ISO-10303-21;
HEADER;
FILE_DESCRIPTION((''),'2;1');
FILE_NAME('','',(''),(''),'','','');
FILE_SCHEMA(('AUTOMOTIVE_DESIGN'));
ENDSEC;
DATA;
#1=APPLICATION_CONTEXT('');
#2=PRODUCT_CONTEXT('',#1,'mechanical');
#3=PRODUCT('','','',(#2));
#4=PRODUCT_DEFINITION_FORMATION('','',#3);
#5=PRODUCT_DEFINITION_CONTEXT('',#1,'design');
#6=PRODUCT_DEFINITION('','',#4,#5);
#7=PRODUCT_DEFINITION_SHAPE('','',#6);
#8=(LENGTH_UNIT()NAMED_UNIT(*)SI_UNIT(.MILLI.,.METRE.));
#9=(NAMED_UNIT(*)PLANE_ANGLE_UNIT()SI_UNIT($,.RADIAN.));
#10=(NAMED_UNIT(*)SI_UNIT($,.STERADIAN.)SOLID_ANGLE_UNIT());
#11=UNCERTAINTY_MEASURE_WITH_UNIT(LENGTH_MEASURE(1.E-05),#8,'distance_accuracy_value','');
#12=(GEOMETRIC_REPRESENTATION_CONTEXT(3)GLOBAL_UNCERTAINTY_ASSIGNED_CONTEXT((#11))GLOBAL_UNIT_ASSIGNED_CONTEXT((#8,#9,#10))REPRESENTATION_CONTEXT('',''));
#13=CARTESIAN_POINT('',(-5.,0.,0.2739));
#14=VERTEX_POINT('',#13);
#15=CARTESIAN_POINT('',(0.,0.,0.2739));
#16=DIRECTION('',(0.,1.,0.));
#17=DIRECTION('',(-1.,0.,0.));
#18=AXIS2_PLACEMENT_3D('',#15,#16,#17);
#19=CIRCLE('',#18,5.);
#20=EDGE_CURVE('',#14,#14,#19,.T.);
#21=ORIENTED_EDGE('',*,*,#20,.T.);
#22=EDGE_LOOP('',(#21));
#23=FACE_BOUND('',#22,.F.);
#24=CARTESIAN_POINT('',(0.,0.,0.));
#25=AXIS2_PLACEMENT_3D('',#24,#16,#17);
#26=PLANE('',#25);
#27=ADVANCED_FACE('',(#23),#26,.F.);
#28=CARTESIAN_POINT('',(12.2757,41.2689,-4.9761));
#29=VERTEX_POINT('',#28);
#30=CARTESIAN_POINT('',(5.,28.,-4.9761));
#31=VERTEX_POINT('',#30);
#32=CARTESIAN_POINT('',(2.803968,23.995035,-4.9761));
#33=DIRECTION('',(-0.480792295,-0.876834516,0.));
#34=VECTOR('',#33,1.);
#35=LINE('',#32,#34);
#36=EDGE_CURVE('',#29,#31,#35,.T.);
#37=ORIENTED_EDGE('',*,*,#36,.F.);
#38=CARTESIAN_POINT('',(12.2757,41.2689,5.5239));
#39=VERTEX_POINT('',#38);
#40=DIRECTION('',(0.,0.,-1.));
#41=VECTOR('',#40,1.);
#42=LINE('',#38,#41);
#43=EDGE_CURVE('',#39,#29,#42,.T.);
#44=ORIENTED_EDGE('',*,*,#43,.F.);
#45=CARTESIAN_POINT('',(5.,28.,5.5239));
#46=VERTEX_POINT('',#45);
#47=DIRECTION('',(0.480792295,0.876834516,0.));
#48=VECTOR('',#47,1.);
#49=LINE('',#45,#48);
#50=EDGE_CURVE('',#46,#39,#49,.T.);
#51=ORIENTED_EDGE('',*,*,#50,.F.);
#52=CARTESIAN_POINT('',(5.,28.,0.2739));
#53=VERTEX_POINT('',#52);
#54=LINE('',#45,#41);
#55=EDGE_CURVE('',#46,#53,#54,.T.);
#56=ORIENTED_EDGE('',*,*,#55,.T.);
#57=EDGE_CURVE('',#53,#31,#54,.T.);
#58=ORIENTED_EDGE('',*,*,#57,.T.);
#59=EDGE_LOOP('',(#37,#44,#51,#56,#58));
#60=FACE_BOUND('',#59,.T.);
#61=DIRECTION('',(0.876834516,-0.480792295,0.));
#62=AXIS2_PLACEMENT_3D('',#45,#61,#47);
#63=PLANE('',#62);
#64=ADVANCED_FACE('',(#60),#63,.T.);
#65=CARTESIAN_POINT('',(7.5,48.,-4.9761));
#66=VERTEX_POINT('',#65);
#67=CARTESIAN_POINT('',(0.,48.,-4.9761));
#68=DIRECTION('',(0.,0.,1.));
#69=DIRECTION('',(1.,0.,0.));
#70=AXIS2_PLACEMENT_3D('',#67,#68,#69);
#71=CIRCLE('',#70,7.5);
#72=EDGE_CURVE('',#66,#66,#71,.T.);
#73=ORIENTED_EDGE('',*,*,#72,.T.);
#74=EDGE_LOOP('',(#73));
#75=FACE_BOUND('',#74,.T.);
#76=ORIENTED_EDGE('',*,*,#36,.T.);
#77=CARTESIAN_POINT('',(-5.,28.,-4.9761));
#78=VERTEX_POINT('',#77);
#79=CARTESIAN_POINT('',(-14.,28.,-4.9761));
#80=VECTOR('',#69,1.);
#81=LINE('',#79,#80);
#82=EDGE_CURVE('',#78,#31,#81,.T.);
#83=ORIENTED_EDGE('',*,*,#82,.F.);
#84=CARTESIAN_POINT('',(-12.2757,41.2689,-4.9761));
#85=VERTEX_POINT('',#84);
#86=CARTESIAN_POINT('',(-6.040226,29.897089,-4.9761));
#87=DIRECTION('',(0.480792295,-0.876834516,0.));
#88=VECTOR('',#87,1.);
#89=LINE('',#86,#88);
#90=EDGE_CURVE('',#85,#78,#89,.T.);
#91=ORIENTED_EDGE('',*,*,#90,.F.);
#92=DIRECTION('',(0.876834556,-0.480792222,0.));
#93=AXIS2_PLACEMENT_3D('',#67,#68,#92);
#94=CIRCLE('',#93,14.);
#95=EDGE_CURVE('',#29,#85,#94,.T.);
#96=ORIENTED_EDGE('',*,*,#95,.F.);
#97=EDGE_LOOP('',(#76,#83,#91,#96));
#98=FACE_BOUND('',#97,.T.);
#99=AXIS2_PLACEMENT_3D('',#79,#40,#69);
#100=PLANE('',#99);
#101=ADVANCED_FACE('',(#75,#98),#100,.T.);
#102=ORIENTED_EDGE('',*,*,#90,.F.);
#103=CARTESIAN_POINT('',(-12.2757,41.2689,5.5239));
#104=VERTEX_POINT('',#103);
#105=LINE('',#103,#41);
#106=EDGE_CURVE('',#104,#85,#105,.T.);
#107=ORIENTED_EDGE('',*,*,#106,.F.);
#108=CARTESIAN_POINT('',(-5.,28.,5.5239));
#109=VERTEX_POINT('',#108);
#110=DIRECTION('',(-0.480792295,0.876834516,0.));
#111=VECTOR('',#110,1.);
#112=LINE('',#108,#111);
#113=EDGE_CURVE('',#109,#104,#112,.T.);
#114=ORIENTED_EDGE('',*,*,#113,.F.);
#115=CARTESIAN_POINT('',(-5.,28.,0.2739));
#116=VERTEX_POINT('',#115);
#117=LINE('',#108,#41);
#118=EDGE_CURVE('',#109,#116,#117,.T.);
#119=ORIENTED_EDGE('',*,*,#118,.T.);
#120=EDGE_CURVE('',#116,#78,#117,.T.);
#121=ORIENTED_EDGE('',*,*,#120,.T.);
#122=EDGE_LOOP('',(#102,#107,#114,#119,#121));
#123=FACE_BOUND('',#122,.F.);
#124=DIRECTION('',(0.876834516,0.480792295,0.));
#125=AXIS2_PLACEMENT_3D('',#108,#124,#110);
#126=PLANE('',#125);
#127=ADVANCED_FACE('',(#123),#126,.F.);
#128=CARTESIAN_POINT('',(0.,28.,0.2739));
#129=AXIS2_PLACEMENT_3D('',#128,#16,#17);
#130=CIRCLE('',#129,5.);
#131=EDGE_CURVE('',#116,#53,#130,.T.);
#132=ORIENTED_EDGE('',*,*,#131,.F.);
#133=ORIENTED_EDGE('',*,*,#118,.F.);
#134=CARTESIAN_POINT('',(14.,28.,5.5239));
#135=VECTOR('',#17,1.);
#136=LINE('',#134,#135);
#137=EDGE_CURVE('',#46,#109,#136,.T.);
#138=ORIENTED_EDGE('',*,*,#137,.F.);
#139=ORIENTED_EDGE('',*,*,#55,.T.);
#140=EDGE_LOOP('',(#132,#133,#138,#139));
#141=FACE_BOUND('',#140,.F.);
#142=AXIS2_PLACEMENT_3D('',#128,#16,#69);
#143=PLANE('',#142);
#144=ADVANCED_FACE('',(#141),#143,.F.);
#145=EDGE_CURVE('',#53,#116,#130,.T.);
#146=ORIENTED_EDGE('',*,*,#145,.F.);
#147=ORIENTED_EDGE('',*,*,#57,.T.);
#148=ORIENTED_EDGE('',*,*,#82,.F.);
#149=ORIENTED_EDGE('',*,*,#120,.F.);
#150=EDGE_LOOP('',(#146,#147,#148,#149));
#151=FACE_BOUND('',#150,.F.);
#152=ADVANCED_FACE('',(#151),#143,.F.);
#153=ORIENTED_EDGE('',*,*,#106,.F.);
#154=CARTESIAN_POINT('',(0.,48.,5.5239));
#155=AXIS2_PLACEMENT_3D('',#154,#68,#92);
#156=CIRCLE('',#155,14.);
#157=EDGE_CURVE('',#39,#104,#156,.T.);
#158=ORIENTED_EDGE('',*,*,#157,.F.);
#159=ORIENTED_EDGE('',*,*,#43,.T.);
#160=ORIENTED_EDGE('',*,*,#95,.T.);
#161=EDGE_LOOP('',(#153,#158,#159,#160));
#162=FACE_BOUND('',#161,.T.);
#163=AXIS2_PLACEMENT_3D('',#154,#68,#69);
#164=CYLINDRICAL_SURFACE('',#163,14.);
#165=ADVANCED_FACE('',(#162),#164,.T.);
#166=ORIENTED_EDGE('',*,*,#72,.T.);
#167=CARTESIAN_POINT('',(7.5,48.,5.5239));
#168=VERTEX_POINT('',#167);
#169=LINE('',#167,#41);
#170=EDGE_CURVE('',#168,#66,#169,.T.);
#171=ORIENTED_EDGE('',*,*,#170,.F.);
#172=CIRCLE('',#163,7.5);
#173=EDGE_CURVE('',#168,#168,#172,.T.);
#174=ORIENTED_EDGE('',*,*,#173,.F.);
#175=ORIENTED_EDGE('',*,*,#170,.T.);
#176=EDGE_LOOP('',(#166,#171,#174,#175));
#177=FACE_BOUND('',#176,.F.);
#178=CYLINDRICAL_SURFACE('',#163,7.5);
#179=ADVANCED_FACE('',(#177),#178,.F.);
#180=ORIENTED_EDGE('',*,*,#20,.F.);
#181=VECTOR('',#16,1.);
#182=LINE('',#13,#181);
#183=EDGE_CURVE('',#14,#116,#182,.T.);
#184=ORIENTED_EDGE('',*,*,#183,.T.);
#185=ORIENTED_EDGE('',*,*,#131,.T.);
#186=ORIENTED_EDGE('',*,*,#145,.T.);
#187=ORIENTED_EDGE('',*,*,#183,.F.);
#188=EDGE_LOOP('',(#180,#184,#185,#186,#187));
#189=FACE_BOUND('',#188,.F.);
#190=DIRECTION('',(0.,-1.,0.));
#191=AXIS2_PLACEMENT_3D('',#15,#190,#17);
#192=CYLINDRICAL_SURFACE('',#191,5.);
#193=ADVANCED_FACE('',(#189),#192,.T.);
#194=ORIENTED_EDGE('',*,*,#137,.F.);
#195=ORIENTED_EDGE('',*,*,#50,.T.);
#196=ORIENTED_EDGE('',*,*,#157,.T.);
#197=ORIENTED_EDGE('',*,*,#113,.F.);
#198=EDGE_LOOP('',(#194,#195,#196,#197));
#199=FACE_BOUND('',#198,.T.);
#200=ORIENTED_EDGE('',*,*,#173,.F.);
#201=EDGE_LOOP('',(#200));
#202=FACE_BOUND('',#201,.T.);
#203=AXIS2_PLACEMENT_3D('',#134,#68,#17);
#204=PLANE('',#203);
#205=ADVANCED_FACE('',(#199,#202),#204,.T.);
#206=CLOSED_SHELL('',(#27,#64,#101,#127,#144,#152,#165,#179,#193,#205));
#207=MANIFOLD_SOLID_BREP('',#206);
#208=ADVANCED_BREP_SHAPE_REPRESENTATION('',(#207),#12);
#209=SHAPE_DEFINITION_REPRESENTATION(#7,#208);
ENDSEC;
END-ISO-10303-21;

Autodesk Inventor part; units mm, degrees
ref_plane "YZ Plane" through (0, 0, 0) normal (1, 0, 0) x (0, 1, 0)
ref_plane "XZ Plane" through (0, 0, 0) normal (0, 1, 0) x (-1, 0, 0)
ref_plane "XY Plane" through (0, 0, 0) normal (0, 0, 1) x (1, 0, 0)
sketch "Sketch1" plane through (0, 0, 0) normal (0, 1, 0) x (-1, 0, 0)
  circle A0 centre (0, 0.2739) radius 5
  point P0 (0, 0)
  dimension "d0" = 10
extrude "Extrusion1" add sketch "Sketch1" along normal blind 28
sketch "Sketch3" plane through (0, 28, 0.2739) normal (0, 1, 0) x (1, 0, 0)
  line L0 (14, -5.25) -> (-14, -5.25)
  line L1 (-14, -5.25) -> (-14, 5.25)
  line L2 (-14, 5.25) -> (14, 5.25)
  line L3 (14, 5.25) -> (14, -5.25)
  line L4 (14, -5.25) -> (-14, 5.25) construction
  line L5 (-14, -5.25) -> (14, 5.25) construction
  circle A0 centre (0, 0) radius 5 projected
  point P0 (0, 0.2739)
  point P1 (0, 0)
  dimension "d5" = 28
  dimension "d6" = 10.5
  dimension "d16" = 5.25
extrude "Extrusion2" add sketch "Sketch3" along normal blind 34 contours L0 L1 L2 L3 | A0
sketch "Sketch4" plane through (-14, 28, 5.5239) normal (0, 0, 1) x (1, 0, 0)
  circle A0 centre (14, 20) radius 7.5
  line L0 (9, -28) -> (19, -28) projected
  line L1 (28, 0) -> (28, 34) projected
  circle A1 centre (14, 20) radius 14
  line L2 (19, 0) -> (9, 0) projected
  line L3 (9, 0) -> (1.7243, 13.2689)
  line L4 (19, -28) -> (19, 0) projected
  line L5 (19, 0) -> (26.2757, 13.2689)
  line L6 (19, 0) -> (28, 0)
  line L7 (28, 0) -> (28, 20)
  line L8 (28, 0) -> (0, 0) projected
  line L9 (0, 0) -> (9, 0)
  line L10 (0, 0) -> (0, 20)
  line L11 (0, 0) -> (0, 34) projected
  line L12 (0, 20) -> (0, 34)
  line L13 (0, 34) -> (14, 34)
  line L14 (0, 34) -> (28, 34) projected
  line L15 (14, 34) -> (28, 34)
  line L16 (28, 34) -> (28, 20)
  point P0 (14, -28)
  dimension "d9" = 15
  dimension "d10" = 48
  dimension "d11" = 14
  dimension "d12" = 28
  dimension "d13" = 13.2689
extrude "Extrusion3" cut sketch "Sketch4" against normal blind 34 contours A0 | L6 L5 A1 L1 | A1 L14 L1 | A1 L11 L13 | L8 L10 A1 L3
properties part number "K"
